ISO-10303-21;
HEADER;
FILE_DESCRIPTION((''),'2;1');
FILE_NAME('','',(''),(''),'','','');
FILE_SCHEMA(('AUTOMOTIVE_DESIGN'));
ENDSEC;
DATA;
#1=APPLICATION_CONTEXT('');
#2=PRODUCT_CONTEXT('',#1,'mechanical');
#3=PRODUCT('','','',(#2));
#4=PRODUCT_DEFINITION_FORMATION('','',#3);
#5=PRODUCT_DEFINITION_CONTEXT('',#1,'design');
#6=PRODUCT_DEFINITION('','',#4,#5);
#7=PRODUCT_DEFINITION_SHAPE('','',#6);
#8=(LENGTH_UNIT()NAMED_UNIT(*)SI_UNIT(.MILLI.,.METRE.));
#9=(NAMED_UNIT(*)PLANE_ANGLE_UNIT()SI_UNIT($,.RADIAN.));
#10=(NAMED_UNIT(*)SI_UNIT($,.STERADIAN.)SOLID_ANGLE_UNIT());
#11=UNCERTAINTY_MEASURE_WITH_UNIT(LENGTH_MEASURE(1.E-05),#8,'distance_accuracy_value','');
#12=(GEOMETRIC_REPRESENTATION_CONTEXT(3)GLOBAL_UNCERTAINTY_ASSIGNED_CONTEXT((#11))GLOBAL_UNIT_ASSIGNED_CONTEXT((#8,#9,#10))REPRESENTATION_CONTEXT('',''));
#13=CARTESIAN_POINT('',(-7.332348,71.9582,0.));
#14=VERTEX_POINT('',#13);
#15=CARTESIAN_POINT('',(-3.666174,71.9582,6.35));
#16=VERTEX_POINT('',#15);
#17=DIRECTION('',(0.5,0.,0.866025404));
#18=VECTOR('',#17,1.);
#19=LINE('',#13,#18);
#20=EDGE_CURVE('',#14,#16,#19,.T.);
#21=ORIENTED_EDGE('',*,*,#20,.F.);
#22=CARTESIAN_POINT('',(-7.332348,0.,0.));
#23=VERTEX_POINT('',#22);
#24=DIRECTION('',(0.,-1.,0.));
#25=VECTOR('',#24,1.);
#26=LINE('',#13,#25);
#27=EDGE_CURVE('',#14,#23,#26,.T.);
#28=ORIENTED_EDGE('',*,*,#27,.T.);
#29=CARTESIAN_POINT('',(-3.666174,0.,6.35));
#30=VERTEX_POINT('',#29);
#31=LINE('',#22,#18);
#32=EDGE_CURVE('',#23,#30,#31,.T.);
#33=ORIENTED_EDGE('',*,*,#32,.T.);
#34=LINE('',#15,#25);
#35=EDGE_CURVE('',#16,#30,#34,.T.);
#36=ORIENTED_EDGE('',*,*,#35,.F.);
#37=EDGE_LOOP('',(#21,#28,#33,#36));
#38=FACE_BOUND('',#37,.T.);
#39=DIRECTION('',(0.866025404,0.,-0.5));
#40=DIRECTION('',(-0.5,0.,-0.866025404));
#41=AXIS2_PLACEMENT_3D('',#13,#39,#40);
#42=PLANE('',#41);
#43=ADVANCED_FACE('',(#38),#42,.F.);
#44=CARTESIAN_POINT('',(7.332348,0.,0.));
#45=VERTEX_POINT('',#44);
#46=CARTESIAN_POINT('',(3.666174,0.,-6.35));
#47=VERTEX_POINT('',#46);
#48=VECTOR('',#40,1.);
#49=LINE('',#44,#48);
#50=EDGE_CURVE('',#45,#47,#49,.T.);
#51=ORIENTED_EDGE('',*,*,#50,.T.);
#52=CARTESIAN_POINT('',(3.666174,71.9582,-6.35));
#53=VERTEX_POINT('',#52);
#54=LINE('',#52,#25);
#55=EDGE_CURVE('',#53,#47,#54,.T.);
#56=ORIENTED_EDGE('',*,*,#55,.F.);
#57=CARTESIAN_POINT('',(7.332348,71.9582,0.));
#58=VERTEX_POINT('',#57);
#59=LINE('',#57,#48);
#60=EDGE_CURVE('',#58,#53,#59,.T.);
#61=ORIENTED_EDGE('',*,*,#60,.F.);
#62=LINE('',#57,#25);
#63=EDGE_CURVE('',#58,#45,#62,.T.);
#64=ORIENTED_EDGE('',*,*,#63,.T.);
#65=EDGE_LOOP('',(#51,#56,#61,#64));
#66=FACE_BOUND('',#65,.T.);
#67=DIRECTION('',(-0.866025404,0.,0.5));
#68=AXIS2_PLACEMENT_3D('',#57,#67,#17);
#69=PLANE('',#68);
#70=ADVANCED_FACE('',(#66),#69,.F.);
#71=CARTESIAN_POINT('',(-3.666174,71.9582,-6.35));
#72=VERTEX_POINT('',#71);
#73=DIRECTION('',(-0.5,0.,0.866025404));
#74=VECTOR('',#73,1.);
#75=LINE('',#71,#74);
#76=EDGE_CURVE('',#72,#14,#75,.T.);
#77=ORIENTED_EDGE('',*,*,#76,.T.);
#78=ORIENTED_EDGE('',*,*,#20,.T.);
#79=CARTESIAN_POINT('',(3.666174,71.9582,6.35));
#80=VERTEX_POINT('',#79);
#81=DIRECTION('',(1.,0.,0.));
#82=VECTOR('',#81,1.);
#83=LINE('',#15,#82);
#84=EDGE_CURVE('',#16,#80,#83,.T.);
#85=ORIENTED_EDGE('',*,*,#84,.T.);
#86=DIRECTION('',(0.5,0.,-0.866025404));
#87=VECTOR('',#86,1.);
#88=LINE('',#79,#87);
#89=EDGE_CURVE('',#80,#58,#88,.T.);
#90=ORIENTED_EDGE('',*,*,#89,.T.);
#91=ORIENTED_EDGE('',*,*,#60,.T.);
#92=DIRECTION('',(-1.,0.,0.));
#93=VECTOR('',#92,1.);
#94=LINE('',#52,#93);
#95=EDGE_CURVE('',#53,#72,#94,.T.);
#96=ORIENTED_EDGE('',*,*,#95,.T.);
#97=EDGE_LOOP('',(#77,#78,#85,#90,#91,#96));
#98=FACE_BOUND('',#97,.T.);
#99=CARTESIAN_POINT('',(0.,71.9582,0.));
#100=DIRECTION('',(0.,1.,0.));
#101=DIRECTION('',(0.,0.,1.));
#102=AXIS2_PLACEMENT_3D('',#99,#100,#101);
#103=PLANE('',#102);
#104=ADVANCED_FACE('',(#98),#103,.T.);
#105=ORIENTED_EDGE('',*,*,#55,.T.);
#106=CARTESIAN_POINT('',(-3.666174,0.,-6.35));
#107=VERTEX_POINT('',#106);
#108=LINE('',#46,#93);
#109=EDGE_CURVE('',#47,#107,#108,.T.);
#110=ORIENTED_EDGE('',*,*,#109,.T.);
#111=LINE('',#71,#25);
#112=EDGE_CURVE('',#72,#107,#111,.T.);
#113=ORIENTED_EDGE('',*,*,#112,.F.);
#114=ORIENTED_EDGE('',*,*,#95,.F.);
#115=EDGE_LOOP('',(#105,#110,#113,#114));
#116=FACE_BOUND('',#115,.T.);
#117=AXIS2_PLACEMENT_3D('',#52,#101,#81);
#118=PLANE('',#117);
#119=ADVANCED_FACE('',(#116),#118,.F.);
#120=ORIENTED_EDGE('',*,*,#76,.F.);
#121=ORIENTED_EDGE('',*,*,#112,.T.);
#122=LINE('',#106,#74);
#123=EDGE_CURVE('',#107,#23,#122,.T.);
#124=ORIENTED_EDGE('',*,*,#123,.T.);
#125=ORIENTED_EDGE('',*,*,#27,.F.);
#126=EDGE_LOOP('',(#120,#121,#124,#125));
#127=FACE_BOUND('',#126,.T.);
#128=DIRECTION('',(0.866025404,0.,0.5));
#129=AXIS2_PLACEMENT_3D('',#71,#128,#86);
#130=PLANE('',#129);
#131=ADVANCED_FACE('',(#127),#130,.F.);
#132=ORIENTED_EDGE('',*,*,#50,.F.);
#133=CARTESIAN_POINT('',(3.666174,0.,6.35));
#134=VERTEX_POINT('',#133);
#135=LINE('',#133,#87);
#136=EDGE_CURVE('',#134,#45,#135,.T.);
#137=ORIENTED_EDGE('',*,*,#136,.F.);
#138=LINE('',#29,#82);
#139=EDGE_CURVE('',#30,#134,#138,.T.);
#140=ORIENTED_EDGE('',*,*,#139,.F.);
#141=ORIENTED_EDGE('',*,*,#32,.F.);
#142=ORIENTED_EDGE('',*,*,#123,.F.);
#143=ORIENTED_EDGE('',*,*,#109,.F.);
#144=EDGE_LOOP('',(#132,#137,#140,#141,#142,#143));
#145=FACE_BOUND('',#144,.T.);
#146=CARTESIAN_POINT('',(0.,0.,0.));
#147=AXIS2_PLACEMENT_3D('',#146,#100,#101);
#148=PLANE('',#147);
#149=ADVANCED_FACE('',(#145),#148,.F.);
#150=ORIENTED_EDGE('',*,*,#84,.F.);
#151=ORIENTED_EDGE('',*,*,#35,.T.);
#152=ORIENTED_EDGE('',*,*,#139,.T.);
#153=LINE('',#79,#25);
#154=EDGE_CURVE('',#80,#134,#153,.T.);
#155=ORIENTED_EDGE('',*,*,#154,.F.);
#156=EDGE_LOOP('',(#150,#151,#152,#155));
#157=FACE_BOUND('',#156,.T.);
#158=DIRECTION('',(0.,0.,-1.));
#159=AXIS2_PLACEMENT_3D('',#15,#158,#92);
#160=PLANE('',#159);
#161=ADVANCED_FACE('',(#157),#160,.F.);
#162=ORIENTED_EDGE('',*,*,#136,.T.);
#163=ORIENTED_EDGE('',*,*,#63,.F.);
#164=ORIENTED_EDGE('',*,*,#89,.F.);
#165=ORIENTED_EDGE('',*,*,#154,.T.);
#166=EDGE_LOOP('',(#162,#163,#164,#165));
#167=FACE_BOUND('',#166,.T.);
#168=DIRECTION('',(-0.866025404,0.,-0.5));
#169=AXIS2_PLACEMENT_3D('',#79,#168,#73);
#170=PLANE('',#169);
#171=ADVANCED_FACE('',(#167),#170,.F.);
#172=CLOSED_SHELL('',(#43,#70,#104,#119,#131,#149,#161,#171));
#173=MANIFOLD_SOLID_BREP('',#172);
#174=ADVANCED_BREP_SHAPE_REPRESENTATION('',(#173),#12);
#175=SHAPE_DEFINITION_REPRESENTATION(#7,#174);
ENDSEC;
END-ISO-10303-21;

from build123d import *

# Parameters (mm, degrees)
BOSS_EXTRUDE1_DEPTH = 71.9582


with BuildPart() as part:
    # Sketch1 → Boss-Extrude1 (new body)
    with BuildSketch(Plane(origin=(0, 0, 0), x_dir=(1, 0, 0), z_dir=(0, 1, 0))):
        Polygon((7.332348419, 0), (3.666174209, 6.35), (-3.666174209, 6.35), (-7.332348419, 0), (-3.666174209, -6.35), (3.666174209, -6.35), align=None)
    extrude(amount=BOSS_EXTRUDE1_DEPTH)


solid = part.part
